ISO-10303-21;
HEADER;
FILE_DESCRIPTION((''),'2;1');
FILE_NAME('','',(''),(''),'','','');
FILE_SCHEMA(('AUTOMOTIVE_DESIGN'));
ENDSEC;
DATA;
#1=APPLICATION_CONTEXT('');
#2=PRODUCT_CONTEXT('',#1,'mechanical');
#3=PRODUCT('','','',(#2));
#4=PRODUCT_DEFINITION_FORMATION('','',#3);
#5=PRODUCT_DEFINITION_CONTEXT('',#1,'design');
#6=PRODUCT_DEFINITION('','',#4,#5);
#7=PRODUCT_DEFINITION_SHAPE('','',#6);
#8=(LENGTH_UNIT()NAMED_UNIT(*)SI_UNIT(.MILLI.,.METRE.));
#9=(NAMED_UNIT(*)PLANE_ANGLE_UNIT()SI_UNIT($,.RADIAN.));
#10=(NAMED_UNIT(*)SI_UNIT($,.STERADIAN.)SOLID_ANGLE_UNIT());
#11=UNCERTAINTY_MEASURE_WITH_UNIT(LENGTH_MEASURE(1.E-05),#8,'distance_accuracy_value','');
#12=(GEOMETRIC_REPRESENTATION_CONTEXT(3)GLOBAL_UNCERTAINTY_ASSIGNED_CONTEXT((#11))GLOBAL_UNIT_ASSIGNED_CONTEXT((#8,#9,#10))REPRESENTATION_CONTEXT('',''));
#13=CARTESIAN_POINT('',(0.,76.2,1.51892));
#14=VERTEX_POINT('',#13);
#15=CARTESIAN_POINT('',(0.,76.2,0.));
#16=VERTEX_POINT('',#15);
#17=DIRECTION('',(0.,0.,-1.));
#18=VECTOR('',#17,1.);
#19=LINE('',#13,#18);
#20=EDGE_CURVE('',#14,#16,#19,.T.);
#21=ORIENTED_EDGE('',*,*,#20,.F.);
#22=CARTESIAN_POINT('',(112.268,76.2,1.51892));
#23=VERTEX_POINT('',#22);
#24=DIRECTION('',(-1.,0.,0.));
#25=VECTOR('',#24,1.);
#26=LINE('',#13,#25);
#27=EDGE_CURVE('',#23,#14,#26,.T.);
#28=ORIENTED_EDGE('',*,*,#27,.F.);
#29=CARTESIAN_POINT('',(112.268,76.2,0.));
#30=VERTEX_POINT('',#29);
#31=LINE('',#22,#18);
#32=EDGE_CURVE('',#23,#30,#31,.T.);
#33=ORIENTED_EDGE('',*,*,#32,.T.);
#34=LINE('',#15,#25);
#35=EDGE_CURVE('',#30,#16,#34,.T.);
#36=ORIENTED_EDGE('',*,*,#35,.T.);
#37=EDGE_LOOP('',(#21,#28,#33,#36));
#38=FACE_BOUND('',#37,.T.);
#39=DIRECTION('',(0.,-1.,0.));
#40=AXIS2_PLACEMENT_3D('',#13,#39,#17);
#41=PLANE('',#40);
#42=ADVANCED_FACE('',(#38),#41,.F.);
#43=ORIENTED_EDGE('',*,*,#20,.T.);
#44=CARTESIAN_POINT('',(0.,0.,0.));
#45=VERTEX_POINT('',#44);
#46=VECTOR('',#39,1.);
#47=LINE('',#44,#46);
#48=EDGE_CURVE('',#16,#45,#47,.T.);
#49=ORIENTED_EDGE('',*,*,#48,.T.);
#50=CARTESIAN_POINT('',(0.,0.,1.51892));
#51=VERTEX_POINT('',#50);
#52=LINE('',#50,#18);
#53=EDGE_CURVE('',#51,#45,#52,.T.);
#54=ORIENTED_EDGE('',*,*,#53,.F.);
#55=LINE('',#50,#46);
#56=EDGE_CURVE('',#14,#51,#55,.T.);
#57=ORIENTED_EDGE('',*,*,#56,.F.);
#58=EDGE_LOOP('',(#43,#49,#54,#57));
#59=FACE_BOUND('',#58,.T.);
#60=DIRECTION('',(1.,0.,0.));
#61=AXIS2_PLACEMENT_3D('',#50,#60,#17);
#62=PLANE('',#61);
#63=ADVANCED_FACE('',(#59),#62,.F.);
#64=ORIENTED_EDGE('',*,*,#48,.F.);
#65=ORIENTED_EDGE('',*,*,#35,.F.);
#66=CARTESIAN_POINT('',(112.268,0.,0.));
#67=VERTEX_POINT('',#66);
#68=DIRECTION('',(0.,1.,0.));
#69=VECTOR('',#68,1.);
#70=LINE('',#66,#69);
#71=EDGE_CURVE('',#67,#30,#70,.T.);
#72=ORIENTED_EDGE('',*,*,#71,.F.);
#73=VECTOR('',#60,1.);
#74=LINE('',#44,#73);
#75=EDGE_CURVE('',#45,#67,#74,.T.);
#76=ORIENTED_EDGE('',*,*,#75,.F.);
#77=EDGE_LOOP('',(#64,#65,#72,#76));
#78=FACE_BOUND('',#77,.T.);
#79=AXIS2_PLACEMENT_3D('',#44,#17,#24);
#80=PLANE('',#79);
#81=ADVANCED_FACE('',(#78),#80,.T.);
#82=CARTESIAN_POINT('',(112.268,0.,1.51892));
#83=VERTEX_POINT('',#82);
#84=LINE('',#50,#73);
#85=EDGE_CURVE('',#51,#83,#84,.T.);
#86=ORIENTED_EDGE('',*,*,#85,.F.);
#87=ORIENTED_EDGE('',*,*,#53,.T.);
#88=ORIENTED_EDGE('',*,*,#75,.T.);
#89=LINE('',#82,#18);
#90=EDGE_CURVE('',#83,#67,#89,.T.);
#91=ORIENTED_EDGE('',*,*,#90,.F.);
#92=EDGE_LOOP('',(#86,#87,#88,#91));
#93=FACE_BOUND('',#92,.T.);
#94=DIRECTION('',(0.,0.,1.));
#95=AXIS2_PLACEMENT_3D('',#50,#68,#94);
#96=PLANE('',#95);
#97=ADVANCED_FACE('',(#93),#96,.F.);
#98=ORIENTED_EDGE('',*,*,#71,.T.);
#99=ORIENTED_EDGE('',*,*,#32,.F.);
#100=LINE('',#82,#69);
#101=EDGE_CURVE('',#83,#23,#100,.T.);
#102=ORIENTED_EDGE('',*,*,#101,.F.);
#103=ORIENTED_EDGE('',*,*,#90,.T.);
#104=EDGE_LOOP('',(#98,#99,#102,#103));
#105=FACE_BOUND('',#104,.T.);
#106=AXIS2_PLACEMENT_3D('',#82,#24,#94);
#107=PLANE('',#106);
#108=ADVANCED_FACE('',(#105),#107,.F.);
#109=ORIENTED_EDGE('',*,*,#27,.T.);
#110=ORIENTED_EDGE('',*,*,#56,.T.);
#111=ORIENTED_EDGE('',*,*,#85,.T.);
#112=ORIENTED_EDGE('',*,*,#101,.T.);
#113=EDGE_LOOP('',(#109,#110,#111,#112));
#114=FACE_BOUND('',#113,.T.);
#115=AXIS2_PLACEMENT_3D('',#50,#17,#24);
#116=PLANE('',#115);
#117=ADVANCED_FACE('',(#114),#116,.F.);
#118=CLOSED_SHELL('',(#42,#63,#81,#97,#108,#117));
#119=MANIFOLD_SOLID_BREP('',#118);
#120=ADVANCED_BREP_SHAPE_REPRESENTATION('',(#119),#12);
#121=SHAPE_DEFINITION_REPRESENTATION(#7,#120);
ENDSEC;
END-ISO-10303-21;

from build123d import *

# Parameters (mm, degrees)
SKETCH1_W           = 112.268
SKETCH1_H           = 76.2
BOSS_EXTRUDE1_DEPTH = 1.51892


with BuildPart() as part:
    # Sketch1 → Boss-Extrude1 (new body)
    with BuildSketch(Plane.XY):
        with Locations((56.134, 38.1)):
            Rectangle(SKETCH1_W, SKETCH1_H)
    extrude(amount=BOSS_EXTRUDE1_DEPTH)


solid = part.part
